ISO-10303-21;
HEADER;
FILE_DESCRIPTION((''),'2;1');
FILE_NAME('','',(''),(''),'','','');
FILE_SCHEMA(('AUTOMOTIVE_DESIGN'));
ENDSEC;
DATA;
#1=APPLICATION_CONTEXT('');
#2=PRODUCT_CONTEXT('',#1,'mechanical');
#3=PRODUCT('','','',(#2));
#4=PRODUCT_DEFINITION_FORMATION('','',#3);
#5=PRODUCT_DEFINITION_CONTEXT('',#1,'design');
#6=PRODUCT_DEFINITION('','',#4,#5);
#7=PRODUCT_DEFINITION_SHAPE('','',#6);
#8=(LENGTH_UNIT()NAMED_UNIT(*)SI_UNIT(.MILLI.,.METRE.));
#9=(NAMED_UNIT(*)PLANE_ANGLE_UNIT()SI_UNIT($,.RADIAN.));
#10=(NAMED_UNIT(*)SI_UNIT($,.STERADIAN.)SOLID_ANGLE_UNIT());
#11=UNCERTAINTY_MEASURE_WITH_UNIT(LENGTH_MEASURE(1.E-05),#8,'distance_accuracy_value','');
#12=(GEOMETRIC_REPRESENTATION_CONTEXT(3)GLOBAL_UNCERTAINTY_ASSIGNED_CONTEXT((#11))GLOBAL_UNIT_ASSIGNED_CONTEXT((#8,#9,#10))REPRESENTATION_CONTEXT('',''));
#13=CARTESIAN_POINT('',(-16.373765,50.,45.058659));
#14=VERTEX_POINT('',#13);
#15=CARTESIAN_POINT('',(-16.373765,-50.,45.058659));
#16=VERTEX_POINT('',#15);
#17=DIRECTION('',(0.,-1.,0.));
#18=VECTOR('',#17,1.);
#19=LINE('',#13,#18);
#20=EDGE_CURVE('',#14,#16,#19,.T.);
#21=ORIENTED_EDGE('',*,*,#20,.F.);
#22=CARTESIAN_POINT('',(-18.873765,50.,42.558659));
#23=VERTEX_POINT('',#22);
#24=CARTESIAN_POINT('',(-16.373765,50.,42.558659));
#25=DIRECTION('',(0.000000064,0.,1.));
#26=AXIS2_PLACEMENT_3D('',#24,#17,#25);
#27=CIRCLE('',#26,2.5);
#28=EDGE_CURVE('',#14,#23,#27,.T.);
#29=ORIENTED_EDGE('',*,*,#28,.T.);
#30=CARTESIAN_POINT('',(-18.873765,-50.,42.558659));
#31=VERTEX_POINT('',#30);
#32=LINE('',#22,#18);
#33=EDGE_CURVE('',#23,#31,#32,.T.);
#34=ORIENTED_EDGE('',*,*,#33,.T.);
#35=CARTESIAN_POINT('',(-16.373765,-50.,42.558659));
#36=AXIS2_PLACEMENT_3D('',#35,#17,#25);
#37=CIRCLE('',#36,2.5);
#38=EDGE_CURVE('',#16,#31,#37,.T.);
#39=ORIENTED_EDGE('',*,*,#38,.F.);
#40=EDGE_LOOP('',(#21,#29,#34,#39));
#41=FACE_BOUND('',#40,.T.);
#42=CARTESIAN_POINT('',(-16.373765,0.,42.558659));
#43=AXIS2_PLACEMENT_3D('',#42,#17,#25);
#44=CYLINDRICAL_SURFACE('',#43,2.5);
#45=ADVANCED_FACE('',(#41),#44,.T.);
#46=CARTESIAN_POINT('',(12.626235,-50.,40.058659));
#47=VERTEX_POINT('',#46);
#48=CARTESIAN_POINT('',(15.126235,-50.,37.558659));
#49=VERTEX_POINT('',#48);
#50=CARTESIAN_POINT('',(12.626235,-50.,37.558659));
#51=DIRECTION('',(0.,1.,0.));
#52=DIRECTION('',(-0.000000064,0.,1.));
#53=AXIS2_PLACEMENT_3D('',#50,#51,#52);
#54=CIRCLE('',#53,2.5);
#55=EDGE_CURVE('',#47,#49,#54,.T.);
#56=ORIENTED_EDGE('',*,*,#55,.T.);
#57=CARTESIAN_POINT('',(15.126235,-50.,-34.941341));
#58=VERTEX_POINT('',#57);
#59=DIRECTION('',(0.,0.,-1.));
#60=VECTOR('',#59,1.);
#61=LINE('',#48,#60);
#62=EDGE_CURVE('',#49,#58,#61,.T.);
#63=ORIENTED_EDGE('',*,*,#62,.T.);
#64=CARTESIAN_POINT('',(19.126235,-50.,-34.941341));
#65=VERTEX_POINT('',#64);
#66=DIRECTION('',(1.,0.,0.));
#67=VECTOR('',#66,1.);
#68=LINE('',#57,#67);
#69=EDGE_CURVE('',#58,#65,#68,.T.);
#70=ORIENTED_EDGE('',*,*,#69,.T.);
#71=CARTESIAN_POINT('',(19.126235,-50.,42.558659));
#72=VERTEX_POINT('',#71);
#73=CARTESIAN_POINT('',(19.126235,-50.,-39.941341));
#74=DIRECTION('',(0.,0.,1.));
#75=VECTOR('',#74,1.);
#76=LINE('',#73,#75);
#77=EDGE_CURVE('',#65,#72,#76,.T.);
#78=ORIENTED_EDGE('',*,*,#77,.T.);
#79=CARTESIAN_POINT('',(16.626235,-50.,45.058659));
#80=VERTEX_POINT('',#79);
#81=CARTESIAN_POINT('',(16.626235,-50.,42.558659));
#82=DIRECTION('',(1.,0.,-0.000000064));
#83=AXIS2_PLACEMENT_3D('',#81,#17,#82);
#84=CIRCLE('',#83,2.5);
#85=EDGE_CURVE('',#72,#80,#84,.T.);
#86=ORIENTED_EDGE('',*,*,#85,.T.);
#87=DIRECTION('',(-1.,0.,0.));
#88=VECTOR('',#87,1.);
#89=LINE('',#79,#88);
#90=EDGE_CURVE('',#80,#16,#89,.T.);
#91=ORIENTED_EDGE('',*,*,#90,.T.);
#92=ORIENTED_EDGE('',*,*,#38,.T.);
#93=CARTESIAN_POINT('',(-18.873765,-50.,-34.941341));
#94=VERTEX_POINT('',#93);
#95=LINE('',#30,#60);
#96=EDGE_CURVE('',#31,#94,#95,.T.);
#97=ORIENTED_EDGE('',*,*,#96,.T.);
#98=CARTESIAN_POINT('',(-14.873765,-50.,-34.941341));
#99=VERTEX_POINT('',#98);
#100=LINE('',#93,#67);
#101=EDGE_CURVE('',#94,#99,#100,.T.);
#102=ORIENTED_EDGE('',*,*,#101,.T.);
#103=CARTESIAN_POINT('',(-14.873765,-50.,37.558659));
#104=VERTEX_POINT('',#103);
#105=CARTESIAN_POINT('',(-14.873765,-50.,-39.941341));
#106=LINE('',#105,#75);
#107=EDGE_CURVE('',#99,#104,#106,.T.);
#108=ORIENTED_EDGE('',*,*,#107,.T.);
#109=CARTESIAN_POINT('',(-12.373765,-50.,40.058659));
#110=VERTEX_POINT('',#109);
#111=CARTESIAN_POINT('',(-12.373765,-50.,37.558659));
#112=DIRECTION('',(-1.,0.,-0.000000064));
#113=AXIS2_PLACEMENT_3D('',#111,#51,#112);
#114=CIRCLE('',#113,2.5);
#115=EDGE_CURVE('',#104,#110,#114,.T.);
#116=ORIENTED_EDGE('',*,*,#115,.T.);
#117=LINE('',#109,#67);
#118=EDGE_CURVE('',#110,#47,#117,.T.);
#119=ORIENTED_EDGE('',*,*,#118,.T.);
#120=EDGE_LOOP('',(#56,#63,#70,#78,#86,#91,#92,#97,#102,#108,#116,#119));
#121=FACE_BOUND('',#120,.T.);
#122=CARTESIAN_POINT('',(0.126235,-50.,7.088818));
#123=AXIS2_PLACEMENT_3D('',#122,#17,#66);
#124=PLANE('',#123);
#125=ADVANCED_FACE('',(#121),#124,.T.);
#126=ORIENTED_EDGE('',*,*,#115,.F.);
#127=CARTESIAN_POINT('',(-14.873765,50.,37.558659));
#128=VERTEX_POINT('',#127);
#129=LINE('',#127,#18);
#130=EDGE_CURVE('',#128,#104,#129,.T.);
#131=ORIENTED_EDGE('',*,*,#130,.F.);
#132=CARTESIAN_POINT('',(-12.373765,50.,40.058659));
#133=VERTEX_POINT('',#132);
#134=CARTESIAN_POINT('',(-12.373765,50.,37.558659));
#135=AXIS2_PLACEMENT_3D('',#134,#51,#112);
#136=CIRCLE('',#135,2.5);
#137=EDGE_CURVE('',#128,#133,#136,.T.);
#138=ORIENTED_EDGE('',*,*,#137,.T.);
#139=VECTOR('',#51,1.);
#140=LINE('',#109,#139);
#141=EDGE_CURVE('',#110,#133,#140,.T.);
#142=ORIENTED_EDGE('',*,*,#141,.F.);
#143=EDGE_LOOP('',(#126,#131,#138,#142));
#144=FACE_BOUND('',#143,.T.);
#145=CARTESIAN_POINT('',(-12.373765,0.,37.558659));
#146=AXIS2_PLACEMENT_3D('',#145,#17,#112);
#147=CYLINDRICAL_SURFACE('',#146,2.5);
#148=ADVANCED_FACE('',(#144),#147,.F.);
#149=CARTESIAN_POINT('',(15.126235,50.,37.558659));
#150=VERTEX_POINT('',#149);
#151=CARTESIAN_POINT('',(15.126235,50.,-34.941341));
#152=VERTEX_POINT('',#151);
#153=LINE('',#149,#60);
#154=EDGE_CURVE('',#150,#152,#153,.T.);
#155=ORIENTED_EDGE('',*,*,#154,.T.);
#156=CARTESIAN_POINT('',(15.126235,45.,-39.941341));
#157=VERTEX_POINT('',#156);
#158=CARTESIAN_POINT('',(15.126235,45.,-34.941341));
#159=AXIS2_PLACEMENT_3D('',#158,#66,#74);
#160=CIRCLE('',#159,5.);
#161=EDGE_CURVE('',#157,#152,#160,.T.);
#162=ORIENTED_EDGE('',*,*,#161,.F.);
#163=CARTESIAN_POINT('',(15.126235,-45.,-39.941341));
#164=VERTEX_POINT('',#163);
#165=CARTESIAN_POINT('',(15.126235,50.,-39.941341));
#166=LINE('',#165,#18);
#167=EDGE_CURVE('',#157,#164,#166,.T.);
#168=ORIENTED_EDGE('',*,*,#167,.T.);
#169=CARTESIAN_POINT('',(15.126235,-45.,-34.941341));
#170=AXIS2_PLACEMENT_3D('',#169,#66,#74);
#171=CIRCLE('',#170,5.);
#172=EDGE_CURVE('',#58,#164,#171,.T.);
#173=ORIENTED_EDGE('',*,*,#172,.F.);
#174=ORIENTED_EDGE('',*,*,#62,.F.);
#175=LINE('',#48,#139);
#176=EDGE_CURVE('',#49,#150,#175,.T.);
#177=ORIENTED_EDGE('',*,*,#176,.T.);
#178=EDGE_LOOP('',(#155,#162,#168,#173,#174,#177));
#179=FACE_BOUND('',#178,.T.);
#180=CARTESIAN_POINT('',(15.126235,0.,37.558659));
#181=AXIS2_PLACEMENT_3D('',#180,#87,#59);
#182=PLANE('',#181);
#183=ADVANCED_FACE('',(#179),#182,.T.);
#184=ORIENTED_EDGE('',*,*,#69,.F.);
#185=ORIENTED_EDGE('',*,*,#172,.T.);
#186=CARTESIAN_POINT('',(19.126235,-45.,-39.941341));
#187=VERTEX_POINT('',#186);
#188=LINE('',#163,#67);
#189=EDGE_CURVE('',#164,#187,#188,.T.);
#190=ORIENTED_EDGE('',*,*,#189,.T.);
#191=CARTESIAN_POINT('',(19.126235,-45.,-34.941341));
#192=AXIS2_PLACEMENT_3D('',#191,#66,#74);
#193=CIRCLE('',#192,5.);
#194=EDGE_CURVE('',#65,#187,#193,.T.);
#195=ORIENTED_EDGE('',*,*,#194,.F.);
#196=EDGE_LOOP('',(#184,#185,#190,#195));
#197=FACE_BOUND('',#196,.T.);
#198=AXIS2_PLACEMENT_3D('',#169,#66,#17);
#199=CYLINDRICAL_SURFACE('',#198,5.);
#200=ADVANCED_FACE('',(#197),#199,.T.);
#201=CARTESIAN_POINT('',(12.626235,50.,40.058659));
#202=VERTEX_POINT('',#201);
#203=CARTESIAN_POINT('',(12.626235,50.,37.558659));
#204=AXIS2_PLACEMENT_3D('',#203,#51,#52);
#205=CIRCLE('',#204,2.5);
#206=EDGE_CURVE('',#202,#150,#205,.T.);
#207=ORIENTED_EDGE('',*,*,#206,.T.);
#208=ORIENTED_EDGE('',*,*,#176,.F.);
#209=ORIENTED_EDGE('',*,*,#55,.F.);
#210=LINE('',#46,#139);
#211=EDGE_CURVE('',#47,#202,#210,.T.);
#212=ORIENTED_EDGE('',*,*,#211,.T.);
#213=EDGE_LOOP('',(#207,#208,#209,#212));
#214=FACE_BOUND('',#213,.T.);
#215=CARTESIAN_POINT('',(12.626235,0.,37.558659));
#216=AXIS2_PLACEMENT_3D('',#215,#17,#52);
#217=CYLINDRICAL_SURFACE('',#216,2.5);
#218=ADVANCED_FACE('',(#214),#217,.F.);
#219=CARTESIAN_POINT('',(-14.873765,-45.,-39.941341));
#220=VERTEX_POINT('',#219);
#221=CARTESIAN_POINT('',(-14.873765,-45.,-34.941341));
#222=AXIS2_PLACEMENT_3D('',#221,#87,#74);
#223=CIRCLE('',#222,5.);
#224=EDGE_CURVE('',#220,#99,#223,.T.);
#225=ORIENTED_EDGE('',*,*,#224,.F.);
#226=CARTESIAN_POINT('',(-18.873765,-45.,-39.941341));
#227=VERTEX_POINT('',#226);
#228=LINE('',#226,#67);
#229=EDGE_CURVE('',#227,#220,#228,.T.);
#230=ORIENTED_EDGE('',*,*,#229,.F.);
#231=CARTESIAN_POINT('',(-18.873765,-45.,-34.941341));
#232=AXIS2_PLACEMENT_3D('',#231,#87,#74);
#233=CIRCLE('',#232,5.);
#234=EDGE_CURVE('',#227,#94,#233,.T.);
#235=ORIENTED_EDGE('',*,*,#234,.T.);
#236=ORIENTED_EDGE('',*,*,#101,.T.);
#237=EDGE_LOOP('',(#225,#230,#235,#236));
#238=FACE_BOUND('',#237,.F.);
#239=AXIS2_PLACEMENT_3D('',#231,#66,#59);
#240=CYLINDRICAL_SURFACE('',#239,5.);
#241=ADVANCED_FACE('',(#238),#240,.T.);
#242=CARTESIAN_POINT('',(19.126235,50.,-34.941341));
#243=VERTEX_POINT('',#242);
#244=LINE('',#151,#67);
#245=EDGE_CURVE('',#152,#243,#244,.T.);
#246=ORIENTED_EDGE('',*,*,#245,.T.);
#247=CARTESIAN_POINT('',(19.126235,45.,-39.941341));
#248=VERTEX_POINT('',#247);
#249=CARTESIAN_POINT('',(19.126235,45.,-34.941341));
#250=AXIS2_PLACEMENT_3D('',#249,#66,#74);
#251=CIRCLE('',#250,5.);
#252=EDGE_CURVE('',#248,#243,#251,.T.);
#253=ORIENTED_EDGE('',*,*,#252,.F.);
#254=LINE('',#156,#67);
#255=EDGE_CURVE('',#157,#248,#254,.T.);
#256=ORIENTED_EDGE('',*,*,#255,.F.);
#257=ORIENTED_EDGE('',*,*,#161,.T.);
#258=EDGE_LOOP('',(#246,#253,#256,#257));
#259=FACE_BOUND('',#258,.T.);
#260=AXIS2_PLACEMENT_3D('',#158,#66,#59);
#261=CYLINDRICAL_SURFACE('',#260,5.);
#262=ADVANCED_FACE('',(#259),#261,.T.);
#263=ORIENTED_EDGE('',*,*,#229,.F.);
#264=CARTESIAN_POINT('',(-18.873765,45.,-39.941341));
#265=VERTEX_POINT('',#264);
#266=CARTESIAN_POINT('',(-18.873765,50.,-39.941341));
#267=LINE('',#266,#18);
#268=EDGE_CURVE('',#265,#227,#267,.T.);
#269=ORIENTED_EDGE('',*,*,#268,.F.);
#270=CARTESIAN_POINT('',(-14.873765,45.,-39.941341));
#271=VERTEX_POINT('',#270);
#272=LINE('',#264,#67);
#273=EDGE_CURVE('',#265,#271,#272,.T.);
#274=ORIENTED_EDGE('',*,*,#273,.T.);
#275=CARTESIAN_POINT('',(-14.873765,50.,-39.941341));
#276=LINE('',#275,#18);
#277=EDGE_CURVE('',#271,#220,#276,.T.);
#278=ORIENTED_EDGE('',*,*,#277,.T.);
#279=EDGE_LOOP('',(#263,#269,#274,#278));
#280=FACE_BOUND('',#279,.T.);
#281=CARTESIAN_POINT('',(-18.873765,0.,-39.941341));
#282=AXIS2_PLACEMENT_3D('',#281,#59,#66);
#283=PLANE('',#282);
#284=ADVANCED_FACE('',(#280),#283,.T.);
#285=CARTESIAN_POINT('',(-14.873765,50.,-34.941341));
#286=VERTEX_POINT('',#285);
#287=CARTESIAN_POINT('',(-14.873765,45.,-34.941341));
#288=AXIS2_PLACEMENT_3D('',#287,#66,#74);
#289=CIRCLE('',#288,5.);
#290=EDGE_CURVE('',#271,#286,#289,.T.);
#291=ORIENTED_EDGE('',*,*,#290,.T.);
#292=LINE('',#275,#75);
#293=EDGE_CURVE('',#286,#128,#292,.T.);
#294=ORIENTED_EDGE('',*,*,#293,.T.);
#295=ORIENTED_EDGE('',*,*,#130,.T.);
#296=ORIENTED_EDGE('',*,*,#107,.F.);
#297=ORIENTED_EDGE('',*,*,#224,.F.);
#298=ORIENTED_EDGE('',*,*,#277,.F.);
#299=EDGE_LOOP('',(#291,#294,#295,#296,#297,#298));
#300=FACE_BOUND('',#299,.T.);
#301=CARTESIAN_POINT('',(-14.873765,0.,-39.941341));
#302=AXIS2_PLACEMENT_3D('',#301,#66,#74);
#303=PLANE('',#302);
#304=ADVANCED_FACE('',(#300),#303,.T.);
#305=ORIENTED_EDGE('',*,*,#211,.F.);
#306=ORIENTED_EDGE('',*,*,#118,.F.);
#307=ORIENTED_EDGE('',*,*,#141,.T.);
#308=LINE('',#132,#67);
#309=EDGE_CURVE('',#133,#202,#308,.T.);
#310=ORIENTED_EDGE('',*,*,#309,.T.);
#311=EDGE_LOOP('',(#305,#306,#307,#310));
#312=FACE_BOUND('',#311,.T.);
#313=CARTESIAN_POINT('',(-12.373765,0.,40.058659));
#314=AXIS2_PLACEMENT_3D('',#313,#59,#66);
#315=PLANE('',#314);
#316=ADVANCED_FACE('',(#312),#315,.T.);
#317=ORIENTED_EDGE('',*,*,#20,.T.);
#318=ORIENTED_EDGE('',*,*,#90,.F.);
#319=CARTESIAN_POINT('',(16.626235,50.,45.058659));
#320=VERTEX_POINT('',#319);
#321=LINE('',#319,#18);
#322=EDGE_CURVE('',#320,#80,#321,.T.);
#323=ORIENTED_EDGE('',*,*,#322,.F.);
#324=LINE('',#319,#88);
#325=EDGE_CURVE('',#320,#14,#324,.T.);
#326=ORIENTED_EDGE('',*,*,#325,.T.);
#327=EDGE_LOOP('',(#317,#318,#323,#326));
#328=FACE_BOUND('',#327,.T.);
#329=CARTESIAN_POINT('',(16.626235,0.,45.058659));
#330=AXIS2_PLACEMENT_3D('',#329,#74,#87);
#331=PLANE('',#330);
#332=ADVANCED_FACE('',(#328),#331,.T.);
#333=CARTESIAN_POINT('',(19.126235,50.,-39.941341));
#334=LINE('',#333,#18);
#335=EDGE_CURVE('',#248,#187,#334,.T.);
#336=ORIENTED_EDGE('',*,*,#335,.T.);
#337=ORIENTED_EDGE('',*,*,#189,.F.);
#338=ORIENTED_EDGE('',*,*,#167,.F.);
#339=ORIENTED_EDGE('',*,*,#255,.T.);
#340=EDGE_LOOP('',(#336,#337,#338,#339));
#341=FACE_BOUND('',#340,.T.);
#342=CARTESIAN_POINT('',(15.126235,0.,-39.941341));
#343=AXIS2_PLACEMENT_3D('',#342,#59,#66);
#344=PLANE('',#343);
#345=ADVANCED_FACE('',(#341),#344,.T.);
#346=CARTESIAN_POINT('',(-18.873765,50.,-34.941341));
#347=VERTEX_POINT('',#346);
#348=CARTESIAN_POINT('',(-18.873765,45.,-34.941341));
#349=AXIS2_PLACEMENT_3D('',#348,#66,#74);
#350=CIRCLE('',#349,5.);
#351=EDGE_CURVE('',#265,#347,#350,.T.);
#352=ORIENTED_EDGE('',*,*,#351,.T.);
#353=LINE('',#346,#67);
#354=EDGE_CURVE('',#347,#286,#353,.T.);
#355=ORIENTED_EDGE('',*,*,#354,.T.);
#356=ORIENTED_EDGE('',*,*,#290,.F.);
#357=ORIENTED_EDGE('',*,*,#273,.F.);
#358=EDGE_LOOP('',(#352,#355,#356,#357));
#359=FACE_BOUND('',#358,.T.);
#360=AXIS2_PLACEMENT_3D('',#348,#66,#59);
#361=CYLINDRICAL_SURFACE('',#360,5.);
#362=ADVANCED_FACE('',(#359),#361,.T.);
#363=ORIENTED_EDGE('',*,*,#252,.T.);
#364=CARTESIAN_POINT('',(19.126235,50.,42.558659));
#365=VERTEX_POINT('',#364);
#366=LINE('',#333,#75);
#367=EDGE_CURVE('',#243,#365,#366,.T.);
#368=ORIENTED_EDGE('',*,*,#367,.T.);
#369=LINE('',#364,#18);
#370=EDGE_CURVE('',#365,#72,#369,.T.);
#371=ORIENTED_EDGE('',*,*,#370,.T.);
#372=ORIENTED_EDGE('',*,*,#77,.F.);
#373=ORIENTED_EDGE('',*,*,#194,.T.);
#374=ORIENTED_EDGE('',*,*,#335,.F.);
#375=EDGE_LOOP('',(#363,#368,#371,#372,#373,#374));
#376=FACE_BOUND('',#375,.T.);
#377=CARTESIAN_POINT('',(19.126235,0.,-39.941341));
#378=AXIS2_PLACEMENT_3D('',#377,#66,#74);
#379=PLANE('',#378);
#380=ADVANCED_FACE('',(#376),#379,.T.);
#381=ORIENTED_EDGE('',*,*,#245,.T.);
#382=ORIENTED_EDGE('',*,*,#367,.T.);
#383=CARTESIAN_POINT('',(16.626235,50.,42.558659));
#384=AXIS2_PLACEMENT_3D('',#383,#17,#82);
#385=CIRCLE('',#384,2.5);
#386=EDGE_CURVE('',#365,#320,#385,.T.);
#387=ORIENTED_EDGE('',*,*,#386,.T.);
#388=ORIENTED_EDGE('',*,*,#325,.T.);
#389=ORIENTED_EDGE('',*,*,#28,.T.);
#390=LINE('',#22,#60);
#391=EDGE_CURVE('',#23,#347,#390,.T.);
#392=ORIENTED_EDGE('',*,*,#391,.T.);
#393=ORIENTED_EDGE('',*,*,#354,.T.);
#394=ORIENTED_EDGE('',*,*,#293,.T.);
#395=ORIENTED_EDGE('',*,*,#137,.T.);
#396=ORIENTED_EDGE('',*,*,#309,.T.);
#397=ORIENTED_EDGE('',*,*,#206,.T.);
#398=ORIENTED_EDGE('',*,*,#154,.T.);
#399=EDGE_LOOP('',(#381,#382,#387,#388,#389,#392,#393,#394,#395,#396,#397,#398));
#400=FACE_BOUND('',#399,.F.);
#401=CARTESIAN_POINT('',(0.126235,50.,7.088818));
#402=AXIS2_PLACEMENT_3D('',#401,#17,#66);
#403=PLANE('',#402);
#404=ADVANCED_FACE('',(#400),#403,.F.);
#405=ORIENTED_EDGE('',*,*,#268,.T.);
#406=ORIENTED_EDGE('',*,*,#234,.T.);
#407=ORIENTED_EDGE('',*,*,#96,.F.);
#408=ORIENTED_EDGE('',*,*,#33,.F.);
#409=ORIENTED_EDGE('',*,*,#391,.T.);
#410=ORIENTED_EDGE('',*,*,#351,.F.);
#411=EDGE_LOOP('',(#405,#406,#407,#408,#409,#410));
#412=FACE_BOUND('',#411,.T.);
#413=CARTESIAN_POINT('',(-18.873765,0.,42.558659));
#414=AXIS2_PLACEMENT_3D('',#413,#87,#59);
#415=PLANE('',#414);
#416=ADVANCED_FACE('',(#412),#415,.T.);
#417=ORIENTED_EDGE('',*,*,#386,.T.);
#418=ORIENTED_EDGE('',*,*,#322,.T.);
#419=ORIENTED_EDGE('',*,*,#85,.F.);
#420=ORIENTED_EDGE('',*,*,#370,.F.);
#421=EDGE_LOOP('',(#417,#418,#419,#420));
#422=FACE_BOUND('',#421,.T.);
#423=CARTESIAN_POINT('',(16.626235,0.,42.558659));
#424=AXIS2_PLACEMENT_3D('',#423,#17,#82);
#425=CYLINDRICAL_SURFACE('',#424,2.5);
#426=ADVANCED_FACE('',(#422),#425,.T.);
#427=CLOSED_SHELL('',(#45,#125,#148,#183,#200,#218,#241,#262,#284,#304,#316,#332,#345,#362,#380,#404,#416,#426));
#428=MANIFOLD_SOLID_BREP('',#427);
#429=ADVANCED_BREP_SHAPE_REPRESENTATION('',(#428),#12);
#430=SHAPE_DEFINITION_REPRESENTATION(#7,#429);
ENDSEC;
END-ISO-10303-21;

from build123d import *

# Parameters (mm, degrees)
F1_DEPTH = 50
F2_R     = 5


with BuildPart() as f1:
    # F0 (on Front) → F1 (new body, symmetric)
    with BuildSketch(Plane.XZ):
        with BuildLine():
            Line((15.126235, 37.558659), (15.126235, -39.941341))
            Line((15.126235, -39.941341), (19.126235, -39.941341))
            Line((19.126235, -39.941341), (19.126235, 42.558659))
            ThreePointArc((19.126235, 42.558659), (18.394002, 44.326426), (16.626235, 45.058659))
            Line((16.626235, 45.058659), (0.126235, 45.058659))
            Line((0.126235, 45.058659), (-16.373765, 45.058659))
            ThreePointArc((-16.373765, 45.058659), (-18.141532, 44.326426), (-18.873765, 42.558659))
            Line((-18.873765, 42.558659), (-18.873765, -39.941341))
            Line((-18.873765, -39.941341), (-14.873765, -39.941341))
            Line((-14.873765, -39.941341), (-14.873765, 37.558659))
            ThreePointArc((-14.873765, 37.558659), (-14.141532, 39.326426), (-12.373765, 40.058659))
            Line((-12.373765, 40.058659), (12.626235, 40.058659))
            ThreePointArc((12.626235, 40.058659), (14.394002, 39.326426), (15.126235, 37.558659))
        make_face()
    extrude(amount=F1_DEPTH, both=True)

    # F2
    f2_edges = [f1.edges().sort_by_distance(p)[0] for p in [
        (17.126235, -50, -39.941341),
        (-16.873765, -50, -39.941341),
        (17.126235, 50, -39.941341),
        (-16.873765, 50, -39.941341),
    ]]
    fillet(f2_edges, radius=F2_R)


solid = f1.part
